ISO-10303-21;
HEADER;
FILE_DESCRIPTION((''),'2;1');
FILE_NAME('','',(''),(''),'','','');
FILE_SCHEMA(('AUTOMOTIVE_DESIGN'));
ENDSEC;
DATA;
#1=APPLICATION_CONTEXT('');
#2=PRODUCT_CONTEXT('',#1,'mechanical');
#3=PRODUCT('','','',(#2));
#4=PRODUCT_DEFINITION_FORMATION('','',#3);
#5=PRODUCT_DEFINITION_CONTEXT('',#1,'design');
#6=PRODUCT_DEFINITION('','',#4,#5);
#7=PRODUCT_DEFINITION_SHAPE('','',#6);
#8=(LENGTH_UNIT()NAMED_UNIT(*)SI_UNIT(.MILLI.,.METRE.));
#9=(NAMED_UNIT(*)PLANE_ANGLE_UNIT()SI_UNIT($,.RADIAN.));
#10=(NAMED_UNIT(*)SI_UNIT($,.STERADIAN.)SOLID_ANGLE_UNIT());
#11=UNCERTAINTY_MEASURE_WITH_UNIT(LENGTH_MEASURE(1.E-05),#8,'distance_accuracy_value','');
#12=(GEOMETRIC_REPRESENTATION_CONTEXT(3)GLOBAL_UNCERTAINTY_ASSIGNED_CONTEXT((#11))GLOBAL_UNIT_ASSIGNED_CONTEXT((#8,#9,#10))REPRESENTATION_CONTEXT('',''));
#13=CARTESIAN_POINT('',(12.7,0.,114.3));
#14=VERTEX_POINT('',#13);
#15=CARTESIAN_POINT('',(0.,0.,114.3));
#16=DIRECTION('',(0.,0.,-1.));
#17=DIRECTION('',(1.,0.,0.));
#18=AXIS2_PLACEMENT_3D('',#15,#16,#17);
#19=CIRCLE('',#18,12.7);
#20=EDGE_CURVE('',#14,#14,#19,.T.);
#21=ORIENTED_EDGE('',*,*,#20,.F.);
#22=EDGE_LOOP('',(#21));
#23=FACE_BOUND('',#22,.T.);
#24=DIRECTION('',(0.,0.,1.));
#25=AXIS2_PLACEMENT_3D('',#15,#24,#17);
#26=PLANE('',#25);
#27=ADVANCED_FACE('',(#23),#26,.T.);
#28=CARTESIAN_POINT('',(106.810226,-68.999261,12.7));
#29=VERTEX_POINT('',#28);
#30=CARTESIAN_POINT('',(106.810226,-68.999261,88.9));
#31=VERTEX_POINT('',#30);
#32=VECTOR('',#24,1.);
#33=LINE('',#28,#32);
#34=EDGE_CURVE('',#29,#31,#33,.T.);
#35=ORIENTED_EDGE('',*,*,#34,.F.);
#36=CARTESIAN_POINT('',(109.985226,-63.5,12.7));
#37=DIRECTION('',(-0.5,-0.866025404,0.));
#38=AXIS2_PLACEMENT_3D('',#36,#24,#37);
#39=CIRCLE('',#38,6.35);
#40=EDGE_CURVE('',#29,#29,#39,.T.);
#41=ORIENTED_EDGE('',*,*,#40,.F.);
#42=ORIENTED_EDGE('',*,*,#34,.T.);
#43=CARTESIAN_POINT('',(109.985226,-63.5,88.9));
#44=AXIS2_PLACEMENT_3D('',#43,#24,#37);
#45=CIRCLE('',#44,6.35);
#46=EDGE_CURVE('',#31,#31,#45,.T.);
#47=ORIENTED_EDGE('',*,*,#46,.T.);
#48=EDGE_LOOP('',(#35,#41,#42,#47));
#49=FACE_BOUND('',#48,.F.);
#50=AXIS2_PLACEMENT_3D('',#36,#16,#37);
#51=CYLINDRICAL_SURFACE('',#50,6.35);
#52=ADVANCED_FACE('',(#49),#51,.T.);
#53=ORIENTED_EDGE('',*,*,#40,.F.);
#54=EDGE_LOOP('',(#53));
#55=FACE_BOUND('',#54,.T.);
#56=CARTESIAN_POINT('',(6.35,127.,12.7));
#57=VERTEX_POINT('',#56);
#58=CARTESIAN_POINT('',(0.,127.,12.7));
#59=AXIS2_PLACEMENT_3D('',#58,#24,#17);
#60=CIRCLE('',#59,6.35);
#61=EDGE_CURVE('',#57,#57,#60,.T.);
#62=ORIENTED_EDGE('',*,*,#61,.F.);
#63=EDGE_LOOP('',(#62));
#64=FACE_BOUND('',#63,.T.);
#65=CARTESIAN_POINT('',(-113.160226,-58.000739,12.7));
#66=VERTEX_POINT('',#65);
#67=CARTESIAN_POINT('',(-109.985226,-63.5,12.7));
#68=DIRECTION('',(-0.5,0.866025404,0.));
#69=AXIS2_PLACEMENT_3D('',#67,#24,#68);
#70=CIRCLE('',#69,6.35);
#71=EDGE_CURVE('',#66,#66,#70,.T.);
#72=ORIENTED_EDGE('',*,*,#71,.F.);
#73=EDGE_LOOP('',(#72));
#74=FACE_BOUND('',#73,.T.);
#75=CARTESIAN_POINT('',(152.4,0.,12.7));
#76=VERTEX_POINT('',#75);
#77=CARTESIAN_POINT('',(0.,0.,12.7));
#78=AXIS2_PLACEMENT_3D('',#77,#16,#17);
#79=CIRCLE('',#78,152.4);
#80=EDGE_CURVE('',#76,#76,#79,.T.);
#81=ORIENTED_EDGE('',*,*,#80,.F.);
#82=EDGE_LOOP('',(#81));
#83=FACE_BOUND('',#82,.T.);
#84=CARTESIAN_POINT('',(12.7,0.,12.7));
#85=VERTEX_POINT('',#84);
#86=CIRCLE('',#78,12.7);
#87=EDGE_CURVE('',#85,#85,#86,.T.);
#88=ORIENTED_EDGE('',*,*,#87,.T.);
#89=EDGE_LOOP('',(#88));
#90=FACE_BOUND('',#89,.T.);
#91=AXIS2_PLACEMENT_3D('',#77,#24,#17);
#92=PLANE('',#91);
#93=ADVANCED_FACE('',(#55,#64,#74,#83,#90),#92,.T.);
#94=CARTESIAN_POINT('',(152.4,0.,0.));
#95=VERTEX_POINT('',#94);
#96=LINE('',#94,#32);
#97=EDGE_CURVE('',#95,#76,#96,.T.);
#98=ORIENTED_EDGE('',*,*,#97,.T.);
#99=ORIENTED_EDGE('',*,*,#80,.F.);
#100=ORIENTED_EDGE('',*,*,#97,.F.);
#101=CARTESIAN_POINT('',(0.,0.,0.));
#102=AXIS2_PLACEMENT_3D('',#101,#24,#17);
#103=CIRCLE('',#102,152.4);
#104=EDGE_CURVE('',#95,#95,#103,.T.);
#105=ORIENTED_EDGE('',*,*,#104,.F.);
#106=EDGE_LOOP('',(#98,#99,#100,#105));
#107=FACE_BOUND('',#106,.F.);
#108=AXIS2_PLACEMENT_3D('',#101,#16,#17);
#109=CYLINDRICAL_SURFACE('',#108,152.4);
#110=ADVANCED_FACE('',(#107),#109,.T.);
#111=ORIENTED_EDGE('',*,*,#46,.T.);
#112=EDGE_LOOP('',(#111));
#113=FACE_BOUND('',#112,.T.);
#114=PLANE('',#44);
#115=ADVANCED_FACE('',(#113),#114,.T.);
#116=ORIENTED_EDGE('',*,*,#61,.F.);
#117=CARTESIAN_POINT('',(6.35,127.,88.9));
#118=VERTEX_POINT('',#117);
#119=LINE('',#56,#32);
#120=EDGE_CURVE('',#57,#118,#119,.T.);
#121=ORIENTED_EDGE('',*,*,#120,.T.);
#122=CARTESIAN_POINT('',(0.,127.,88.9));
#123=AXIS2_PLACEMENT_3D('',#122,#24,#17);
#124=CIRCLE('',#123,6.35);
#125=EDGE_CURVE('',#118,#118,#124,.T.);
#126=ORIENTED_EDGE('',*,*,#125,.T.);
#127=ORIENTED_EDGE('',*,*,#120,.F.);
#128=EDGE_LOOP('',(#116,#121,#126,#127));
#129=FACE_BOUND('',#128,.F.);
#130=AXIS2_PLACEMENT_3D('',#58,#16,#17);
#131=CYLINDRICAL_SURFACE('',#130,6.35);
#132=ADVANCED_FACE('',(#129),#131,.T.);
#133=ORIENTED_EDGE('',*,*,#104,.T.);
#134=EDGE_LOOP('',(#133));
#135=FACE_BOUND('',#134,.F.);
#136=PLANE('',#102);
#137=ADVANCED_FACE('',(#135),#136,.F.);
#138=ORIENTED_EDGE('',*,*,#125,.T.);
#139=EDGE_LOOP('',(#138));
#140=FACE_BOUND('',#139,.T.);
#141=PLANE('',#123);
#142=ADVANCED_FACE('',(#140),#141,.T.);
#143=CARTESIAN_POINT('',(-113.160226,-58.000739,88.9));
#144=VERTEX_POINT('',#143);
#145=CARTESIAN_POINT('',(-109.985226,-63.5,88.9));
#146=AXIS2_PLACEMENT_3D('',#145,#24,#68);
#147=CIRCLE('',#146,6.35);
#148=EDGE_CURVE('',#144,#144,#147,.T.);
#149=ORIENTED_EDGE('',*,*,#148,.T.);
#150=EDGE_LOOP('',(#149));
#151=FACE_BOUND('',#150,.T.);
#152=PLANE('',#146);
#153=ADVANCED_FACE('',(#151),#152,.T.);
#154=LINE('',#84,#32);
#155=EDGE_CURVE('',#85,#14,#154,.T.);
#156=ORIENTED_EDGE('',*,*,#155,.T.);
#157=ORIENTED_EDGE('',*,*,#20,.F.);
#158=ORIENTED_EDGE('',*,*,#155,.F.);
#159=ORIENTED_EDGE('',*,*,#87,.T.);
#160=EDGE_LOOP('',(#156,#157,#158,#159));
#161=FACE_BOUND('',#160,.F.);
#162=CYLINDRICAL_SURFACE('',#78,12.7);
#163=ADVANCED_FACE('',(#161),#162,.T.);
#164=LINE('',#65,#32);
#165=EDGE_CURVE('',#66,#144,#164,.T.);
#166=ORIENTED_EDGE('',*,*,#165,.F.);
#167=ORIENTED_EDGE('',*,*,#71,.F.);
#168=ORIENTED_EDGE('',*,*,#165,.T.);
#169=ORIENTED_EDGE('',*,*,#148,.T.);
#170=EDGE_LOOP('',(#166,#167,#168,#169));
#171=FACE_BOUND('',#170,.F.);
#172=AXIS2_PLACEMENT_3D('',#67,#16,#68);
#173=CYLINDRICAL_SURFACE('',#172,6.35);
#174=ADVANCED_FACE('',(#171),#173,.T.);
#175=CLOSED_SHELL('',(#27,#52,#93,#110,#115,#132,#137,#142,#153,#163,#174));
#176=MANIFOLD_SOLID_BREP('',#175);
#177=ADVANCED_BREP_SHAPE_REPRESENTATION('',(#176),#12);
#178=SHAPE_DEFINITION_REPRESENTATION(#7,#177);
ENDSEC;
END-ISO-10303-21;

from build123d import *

# Parameters (mm, degrees)
F0_R     = 152.4
F1_DEPTH = 12.7
F2_R     = 12.7
F3_DEPTH = 101.6
F4_R     = 6.35
F5_DEPTH = 76.2
F6_COUNT = 3


with BuildPart() as f1:
    # F0 (on Top) → F1 (new body)
    with BuildSketch(Plane.XY):
        Circle(F0_R)
    extrude(amount=F1_DEPTH)

    # F2 (on face) → F3 (join)
    with BuildSketch(Plane.XY.offset(12.7)):
        Circle(F2_R)
    extrude(amount=F3_DEPTH)

    # F4 (on face) → F5 (join)
    with BuildSketch(Plane.XY.offset(12.7)):
        with Locations((0, 127)):
            Circle(F4_R)
    extrude(amount=F5_DEPTH)

    # F6: F1 ×3 about axis
    f6_axis = Axis((0, 0, 12.7), (0, 0, -1))


with BuildPart() as f1_1:
    add(f1.part)
    for i in range(1, F6_COUNT):
        add(f1.part.rotate(f6_axis, i * 360 / F6_COUNT))


solid = f1_1.part
